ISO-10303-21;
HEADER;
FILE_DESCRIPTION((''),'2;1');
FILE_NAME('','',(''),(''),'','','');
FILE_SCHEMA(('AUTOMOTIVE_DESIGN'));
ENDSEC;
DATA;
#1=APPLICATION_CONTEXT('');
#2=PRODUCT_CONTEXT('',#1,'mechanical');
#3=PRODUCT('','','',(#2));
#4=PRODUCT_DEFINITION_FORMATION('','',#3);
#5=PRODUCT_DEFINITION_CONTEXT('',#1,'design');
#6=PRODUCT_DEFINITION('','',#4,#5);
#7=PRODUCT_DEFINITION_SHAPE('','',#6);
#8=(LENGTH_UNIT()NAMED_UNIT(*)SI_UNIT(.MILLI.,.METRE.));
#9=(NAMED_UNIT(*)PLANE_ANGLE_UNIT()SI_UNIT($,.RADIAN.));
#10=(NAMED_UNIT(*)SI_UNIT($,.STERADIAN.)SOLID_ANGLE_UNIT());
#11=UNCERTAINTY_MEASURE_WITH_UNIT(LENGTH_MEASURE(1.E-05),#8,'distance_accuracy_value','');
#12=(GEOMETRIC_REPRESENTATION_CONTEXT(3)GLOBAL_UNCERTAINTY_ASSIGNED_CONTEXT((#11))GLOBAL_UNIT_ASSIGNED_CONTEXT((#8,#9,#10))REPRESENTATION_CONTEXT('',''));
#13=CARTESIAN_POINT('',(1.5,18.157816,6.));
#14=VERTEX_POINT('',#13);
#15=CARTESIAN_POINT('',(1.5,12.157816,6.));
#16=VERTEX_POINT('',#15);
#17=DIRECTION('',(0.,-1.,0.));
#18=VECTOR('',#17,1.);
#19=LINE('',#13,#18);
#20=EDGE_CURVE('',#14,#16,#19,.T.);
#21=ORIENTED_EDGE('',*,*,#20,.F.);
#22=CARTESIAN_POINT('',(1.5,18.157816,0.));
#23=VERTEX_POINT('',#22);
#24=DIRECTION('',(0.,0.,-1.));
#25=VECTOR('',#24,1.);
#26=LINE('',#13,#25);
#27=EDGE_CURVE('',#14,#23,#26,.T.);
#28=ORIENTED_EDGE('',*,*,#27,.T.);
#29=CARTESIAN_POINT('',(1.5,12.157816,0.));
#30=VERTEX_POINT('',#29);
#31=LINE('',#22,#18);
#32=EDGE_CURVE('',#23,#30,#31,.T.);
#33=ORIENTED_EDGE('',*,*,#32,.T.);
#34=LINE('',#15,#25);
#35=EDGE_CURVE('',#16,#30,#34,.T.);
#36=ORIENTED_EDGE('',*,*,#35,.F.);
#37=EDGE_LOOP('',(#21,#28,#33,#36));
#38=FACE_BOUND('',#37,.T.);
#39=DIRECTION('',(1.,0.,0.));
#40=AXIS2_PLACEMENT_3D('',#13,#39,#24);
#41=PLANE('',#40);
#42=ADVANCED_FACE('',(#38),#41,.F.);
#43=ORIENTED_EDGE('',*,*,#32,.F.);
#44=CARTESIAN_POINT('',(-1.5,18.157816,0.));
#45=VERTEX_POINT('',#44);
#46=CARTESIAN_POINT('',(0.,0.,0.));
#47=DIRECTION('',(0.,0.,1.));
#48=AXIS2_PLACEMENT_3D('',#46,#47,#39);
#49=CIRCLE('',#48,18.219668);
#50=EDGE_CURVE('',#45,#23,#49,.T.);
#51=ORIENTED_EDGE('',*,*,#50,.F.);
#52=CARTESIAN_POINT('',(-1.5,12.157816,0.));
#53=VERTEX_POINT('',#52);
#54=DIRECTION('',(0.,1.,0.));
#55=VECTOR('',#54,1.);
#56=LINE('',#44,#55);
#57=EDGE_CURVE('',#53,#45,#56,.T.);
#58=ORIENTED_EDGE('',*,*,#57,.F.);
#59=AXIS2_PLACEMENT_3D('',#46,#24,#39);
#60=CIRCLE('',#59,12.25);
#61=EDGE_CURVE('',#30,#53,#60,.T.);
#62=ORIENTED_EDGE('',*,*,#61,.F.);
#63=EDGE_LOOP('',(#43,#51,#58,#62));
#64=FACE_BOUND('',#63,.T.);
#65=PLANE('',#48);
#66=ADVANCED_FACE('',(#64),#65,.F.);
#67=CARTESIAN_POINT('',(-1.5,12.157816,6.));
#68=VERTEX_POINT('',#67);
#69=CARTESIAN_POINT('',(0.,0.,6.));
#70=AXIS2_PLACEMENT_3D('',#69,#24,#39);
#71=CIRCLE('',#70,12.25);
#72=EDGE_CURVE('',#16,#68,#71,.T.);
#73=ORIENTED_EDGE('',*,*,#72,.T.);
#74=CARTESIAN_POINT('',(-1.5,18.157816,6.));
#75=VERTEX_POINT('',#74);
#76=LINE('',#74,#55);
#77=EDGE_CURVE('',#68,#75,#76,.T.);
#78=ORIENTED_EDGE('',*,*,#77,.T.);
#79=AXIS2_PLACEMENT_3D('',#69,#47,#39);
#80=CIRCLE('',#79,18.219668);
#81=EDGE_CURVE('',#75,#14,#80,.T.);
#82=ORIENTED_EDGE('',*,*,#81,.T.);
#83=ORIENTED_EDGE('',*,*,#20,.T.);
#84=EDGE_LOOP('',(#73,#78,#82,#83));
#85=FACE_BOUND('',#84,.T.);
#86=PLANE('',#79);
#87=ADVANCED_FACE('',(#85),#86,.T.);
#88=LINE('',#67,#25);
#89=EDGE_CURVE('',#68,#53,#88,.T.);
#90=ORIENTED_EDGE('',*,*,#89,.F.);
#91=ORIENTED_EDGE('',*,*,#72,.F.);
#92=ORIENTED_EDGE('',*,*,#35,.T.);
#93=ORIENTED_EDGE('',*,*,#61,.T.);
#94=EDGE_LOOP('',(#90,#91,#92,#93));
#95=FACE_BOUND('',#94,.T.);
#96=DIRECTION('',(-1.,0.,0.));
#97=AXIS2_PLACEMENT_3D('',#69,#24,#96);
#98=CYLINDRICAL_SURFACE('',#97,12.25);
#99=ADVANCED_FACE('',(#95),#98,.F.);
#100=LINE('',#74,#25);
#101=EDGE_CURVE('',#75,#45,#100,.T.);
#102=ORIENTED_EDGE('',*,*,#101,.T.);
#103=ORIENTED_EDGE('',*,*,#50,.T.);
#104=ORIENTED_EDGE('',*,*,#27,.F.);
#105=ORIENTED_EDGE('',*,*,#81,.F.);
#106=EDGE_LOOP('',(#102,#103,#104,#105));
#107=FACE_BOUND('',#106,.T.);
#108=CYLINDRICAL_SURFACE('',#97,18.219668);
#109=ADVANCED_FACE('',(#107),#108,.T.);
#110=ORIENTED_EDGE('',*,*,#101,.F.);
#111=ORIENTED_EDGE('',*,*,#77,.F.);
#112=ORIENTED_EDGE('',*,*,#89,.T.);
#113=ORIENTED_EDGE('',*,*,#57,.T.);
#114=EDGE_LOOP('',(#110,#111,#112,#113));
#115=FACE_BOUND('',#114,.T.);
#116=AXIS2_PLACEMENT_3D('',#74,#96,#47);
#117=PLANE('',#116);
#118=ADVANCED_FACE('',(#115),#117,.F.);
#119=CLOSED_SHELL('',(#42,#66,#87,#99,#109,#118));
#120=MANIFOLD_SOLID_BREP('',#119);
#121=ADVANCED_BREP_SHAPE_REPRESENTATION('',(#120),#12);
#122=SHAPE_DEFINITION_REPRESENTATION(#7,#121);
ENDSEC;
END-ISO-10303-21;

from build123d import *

# Parameters (mm, degrees)
EXTRUDE_1_DEPTH = 6


with BuildPart() as part:
    # 草图1 → 拉伸1 (new body)
    with BuildSketch(Plane.XY):
        with BuildLine():
            Line((-1.5, 18.157816416), (-1.5, 12.157816416))
            ThreePointArc((-1.5, 12.157816416), (0, -12.25), (1.5, 12.157816416))
            Line((1.5, 12.157816416), (1.5, 18.157816416))
            ThreePointArc((1.5, 18.157816416), (0, -18.219667862), (-1.5, 18.157816416))
        make_face()
    extrude(amount=EXTRUDE_1_DEPTH)


solid = part.part
